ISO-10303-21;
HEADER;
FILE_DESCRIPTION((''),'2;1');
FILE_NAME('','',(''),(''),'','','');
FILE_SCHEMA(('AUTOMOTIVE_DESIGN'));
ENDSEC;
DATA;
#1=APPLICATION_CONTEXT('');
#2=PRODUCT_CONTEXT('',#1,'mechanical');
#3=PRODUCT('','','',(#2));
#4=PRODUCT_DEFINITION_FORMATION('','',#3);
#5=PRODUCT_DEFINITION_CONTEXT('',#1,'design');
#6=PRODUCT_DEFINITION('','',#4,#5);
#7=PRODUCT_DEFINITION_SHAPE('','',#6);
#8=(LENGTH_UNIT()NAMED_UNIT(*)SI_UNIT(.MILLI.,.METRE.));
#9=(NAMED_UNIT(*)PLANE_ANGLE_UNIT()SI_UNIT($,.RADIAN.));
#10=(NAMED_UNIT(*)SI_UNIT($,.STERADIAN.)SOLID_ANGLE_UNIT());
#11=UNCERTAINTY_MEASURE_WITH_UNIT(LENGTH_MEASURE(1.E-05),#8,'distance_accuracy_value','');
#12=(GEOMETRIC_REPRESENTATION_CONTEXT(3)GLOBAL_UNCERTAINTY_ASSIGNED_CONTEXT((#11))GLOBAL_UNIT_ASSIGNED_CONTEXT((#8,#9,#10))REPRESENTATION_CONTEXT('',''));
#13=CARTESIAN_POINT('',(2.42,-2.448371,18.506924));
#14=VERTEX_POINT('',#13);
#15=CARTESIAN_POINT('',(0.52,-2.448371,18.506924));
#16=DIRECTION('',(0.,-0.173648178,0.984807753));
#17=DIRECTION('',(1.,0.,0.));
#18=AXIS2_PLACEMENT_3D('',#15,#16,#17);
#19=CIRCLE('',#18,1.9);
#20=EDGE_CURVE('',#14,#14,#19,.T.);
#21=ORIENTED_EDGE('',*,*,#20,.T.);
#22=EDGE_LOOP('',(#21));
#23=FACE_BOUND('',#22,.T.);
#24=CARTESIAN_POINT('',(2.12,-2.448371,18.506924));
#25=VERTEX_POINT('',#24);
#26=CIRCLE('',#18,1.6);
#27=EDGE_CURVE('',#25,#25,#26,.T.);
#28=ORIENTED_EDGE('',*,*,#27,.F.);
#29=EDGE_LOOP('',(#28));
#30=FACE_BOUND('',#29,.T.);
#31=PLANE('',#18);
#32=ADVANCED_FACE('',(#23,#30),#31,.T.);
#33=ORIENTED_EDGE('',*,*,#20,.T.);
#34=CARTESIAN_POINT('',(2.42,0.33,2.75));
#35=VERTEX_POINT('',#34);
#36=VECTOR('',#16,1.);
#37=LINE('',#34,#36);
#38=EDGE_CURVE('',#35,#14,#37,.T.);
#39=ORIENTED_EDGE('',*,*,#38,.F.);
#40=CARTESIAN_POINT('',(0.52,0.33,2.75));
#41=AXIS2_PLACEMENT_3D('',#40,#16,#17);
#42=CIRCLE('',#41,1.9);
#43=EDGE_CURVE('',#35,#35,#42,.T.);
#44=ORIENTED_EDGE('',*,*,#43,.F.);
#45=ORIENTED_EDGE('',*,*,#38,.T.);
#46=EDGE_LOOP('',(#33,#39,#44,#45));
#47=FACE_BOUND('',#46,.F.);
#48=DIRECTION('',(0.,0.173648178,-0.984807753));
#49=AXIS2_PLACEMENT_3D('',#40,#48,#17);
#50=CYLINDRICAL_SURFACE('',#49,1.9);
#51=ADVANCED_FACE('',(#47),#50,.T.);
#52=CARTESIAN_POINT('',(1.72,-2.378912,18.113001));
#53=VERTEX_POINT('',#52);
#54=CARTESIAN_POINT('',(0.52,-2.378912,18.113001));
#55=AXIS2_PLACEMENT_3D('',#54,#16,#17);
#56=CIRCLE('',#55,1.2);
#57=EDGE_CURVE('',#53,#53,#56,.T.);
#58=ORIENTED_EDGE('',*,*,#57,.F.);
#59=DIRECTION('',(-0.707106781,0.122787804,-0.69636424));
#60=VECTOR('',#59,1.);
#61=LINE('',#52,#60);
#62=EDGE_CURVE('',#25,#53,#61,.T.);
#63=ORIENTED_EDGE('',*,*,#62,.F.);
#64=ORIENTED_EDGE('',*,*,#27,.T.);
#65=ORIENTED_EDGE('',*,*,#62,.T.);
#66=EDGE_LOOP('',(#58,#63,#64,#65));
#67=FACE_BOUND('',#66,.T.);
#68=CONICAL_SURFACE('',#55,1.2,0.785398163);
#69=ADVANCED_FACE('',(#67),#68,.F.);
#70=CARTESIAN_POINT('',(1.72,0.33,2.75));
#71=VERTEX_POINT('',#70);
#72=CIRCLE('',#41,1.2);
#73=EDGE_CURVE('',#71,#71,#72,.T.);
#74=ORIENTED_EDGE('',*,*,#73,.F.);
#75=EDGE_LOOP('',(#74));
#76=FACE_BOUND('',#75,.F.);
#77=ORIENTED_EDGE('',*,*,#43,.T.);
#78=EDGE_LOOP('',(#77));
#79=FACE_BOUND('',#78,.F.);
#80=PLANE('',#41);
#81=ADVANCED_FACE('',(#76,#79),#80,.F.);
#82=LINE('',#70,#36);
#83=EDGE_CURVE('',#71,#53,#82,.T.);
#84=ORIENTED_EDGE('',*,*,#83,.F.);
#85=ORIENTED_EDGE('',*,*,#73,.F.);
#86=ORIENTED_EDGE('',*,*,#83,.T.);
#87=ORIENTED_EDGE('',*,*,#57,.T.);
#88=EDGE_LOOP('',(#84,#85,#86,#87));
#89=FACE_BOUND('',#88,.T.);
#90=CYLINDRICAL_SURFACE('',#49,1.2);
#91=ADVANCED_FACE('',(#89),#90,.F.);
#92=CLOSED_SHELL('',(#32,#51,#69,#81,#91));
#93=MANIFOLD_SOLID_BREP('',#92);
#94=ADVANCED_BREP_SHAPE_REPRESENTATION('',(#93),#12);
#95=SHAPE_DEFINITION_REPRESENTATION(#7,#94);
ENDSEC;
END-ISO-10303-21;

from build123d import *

# Parameters (mm, degrees)
CYLINDER003_R               = 1.2
CYLINDER003_DEPTH           = 16
CYLINDER003_PLACEMENT_ANGLE = 10
CYLINDER002_R               = 1.9
CYLINDER002_DEPTH           = 16
CYLINDER002_PLACEMENT_ANGLE = 10
CHAMFER_SIZE                = 0.4


with BuildPart() as cylinder003:
    # Cylinder003 → Cylinder003 (new body)
    with BuildSketch(Plane.XY):
        Circle(CYLINDER003_R)
    extrude(amount=CYLINDER003_DEPTH)


with BuildPart() as cylinder003_1:
    # Cylinder003 placement: moved
    add(cylinder003.part.moved(Location((0.52, 0.33, 2.75))).rotate(Axis((0.52, 0.33, 2.75), (1, 0, 0)), CYLINDER003_PLACEMENT_ANGLE))


with BuildPart() as chamfer_body:
    # Cylinder002 → Cylinder002 (new body)
    with BuildSketch(Plane.XY):
        Circle(CYLINDER002_R)
    extrude(amount=CYLINDER002_DEPTH)


with BuildPart() as chamfer_body_1:
    # Cylinder002 placement: moved
    add(chamfer_body.part.moved(Location((0.52, 0.33, 2.75))).rotate(Axis((0.52, 0.33, 2.75), (1, 0, 0)), CYLINDER002_PLACEMENT_ANGLE))

    # Cut001: cut Cylinder003
    add(cylinder003_1.part, mode=Mode.SUBTRACT)

    # Chamfer
    chamfer_edges = [chamfer_body_1.edges().sort_by_distance(p)[0] for p in [
        (-0.68, -2.448371, 18.506924),
    ]]
    chamfer(chamfer_edges, length=CHAMFER_SIZE)


solid = chamfer_body_1.part
